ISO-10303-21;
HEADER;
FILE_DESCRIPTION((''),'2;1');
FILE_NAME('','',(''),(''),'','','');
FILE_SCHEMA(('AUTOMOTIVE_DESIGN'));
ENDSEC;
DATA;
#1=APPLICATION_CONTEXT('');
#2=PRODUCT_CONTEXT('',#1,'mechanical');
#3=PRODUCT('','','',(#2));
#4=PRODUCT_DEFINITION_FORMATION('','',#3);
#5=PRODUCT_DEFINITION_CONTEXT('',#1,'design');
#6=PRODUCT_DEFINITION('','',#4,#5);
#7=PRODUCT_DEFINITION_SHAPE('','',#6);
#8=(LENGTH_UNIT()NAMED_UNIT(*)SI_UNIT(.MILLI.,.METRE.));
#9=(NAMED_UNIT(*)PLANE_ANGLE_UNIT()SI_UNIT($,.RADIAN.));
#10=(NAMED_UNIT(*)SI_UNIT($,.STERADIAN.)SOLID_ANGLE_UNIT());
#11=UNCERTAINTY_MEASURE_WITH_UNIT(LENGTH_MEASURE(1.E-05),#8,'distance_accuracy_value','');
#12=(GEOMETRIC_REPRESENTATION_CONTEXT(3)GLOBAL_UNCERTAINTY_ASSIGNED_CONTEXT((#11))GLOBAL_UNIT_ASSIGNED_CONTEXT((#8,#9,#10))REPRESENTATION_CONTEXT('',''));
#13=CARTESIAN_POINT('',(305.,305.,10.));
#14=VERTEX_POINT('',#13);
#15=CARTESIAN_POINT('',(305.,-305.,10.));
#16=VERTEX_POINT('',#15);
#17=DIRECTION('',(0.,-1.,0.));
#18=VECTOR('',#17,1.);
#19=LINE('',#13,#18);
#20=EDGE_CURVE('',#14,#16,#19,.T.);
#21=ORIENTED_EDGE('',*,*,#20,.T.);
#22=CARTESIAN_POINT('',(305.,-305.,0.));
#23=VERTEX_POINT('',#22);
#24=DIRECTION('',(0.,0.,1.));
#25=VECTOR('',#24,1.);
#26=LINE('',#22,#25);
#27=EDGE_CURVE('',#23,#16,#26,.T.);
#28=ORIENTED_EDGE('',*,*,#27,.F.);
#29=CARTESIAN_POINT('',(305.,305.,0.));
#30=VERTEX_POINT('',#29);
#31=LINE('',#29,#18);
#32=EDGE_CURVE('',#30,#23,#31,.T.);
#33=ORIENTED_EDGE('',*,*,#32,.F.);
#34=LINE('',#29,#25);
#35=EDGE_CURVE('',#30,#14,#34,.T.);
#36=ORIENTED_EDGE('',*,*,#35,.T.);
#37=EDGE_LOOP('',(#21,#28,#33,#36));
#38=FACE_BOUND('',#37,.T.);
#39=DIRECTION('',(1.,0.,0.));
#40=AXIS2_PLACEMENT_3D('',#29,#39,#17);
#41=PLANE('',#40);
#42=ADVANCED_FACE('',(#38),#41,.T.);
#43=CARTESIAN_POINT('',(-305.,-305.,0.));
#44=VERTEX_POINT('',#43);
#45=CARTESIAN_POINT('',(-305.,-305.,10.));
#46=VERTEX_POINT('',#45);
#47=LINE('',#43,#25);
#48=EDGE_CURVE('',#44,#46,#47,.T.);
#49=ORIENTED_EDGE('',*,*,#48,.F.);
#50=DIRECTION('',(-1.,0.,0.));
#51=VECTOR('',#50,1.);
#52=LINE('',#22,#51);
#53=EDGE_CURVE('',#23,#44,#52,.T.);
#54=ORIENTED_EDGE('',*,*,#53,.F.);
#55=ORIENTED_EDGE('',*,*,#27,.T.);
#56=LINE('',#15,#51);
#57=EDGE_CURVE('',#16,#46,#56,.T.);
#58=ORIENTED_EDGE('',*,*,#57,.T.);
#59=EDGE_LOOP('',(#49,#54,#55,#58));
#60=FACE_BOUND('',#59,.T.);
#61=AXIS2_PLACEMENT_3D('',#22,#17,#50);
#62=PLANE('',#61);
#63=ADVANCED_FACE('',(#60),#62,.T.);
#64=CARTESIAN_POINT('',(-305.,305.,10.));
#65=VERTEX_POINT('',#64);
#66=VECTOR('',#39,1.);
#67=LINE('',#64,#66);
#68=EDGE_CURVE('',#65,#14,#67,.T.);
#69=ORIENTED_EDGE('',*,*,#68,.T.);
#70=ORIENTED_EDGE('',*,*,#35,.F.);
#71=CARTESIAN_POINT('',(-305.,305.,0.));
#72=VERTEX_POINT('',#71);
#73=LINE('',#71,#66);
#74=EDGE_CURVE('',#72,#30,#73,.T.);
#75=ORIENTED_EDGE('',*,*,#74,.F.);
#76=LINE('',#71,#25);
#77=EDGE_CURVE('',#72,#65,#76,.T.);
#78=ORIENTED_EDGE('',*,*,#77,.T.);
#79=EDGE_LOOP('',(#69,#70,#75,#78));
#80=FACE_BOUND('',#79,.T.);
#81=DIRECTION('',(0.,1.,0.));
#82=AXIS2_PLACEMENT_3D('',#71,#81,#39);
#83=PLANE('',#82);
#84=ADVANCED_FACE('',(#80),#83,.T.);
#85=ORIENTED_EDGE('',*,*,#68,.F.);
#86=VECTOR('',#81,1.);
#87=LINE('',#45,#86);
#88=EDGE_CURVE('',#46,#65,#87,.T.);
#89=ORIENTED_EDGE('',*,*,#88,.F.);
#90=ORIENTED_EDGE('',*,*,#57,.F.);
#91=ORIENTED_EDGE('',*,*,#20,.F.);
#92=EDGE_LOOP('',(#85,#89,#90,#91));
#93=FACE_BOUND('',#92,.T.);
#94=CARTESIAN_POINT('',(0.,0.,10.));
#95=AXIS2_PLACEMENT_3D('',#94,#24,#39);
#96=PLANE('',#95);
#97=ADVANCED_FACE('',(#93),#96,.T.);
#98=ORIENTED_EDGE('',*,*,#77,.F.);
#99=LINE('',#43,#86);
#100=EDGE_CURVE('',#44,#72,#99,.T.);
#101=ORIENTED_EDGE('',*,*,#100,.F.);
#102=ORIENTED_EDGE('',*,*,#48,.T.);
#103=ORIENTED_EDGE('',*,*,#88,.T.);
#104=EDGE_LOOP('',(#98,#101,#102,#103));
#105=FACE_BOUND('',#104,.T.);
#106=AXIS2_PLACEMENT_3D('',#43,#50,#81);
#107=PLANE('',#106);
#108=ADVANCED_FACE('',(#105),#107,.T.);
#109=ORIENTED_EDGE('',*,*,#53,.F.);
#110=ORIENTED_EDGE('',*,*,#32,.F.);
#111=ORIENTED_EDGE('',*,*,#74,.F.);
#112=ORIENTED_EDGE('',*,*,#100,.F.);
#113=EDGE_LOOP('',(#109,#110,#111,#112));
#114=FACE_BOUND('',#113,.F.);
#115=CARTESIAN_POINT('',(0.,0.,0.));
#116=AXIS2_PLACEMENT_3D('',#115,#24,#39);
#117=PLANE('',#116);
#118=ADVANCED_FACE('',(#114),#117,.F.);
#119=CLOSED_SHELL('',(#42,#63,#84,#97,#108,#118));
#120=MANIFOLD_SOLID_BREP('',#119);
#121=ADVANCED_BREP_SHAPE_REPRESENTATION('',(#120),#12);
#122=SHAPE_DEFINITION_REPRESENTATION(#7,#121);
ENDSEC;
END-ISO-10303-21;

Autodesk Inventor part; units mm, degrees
ref_plane "YZ Plane" through (0, 0, 0) normal (1, 0, 0) x (0, 1, 0)
ref_plane "XZ Plane" through (0, 0, 0) normal (0, 1, 0) x (-1, 0, 0)
ref_plane "XY Plane" through (0, 0, 0) normal (0, 0, 1) x (1, 0, 0)
sketch "Boceto1" plane through (0, 0, 0) normal (0, 0, 1) x (1, 0, 0)
  line L0 (-305, 305) -> (305, 305)
  line L1 (305, 305) -> (305, -305)
  line L2 (305, -305) -> (-305, -305)
  line L3 (-305, -305) -> (-305, 305)
  point P0 (0, 0)
  point P1 (0, 305)
  point P2 (305, 0)
  dimension "d0" = 610
  dimension "d1" = 610
extrude "Extrusión1" add sketch "Boceto1" along normal blind 10
properties part number "Lamina centelladora" material "Plástico PMMA"
